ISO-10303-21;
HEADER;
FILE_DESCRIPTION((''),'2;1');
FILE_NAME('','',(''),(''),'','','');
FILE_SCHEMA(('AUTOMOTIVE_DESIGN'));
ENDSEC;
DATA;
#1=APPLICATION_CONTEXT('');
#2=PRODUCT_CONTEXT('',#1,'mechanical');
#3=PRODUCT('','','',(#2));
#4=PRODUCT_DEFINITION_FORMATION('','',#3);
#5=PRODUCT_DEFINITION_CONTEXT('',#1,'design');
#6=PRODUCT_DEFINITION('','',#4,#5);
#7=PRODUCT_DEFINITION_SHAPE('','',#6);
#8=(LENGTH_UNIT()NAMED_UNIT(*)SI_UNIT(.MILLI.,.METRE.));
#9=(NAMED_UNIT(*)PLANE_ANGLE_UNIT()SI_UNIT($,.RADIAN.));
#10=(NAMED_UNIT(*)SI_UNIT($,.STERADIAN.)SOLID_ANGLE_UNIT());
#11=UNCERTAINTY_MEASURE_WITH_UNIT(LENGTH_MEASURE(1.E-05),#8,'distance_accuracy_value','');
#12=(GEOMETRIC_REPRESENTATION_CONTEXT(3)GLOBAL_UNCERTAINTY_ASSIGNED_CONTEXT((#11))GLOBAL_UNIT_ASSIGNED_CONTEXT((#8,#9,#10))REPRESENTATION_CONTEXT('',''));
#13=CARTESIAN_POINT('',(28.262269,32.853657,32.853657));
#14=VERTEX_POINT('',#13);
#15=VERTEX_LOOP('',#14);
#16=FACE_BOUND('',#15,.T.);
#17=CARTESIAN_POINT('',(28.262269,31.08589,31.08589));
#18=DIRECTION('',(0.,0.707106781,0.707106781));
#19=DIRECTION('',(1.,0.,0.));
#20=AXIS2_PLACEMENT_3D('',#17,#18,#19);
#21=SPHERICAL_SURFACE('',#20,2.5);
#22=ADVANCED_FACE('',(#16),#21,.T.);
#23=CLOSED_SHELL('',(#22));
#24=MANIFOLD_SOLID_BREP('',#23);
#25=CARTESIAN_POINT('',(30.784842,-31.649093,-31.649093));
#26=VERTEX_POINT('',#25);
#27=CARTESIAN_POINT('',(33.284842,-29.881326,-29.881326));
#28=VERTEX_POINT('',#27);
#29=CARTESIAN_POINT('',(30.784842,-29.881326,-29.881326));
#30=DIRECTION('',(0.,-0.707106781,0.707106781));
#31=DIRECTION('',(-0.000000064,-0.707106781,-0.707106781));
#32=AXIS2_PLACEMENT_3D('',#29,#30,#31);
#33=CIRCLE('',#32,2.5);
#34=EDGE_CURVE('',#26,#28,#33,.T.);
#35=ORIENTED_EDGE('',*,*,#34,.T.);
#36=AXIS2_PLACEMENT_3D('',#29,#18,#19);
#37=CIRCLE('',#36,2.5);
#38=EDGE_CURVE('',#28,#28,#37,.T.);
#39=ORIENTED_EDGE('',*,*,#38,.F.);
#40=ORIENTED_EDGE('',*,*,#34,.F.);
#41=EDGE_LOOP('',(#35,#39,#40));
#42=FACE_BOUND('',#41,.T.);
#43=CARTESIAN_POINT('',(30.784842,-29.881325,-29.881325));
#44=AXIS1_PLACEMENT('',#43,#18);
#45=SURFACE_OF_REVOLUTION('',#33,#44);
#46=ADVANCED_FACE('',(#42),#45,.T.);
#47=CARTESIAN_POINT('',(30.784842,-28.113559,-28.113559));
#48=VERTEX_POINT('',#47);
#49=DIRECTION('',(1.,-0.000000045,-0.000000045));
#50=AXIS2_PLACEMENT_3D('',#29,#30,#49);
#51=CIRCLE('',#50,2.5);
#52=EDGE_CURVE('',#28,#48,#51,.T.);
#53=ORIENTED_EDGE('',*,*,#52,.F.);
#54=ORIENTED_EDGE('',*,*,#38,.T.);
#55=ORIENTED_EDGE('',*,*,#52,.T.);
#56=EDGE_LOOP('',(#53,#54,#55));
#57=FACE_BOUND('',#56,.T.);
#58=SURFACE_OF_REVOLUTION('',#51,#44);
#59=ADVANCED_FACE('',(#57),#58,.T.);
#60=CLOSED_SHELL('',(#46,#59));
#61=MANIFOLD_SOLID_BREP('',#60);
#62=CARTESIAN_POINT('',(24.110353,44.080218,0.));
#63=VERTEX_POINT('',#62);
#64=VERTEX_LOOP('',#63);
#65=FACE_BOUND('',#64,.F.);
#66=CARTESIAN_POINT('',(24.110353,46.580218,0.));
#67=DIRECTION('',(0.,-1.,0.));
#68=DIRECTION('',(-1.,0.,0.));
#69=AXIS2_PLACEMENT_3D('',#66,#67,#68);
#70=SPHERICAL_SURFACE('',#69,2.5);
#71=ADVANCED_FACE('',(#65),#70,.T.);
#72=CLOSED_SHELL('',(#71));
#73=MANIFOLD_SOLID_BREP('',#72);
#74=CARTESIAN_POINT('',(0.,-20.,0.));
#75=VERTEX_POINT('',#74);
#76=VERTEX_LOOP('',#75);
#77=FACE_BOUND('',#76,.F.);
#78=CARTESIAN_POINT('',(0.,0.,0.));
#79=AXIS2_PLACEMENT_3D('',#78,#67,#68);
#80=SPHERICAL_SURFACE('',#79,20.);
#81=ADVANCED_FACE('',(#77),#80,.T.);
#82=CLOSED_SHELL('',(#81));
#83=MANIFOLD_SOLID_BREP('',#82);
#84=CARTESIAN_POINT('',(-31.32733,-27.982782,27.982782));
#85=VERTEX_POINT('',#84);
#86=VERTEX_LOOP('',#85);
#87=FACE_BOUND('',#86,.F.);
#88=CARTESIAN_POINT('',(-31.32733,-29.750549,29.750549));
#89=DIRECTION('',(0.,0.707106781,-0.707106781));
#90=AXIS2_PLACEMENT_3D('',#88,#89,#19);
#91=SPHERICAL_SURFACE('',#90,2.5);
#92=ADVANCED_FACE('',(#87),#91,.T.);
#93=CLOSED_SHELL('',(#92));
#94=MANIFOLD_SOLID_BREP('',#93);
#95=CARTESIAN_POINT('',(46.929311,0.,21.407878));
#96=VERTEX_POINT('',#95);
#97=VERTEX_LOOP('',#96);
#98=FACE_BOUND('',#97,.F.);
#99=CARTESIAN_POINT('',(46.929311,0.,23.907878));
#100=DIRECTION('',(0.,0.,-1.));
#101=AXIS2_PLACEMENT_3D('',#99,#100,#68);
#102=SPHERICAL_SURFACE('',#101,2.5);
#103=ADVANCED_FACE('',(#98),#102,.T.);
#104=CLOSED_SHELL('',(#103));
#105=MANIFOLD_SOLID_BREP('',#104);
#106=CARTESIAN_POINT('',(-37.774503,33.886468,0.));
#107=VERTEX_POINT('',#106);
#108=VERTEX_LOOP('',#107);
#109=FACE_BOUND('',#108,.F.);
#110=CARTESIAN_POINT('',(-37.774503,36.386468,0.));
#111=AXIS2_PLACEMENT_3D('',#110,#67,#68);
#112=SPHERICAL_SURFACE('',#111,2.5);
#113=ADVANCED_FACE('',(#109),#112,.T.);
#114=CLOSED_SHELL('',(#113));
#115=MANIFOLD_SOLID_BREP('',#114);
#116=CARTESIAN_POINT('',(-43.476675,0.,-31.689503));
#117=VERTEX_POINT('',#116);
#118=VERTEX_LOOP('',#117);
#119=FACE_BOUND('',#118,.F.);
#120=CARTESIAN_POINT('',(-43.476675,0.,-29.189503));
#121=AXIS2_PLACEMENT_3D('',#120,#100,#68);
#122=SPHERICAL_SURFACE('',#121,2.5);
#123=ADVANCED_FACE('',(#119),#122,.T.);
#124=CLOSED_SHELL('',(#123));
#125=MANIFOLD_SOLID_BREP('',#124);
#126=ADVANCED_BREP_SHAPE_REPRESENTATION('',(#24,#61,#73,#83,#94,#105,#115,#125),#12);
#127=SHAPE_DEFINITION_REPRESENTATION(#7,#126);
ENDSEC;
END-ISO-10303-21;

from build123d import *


with BuildPart() as f5:
    # F4 (on Top) → F5 (revolve)
    with BuildSketch(Plane.XY):
        with BuildLine():
            ThreePointArc((0, 20), (-20, 0), (0, -20))
            Line((0, -20), (0, 20))
        make_face()
    revolve(axis=Axis((0, 0, 0), (0, 1, 0)))


with BuildPart() as f7:
    # F6 (on Top) → F7 (revolve)
    with BuildSketch(Plane.XY):
        with BuildLine():
            Line((24.110353, 44.080218), (24.110353, 46.580218))
            Line((24.110353, 46.580218), (24.110353, 49.080218))
            ThreePointArc((24.110353, 49.080218), (21.610353, 46.580218), (24.110353, 44.080218))
        make_face()
    revolve(axis=Axis((24.110353, 46.580218, 0), (0, 1, 0)))


with BuildPart() as f9:
    # F8 (on face) → F9 (revolve)
    with BuildSketch(Plane(origin=(0, 0, 0), x_dir=(-1, 0, 0), z_dir=(0, 0.707107, 0.707107))):
        with BuildLine():
            ThreePointArc((31.32733, 44.57363), (28.82733, 42.07363), (31.32733, 39.57363))
            Line((31.32733, 39.57363), (31.32733, 44.57363))
        make_face()
    revolve(axis=Axis((-31.32733, -29.750549, 29.750549), (0, -0.707107, 0.707107)))


with BuildPart() as f11:
    # F10 (on face) → F11 (revolve)
    with BuildSketch(Plane(origin=(0, 0, 0), x_dir=(1, 0, 0), z_dir=(0, -0.707107, 0.707107))):
        with BuildLine():
            Line((28.262269, 46.462087), (28.262269, 43.962087))
            Line((28.262269, 43.962087), (28.262269, 41.462087))
            ThreePointArc((28.262269, 41.462087), (30.762269, 43.962087), (28.262269, 46.462087))
        make_face()
    revolve(axis=Axis((28.262269, 31.08589, 31.08589), (0, 0.707107, 0.707107)))


with BuildPart() as f13:
    # F12 (on Front) → F13 (revolve)
    with BuildSketch(Plane.XZ):
        with BuildLine():
            ThreePointArc((-43.476675, -26.689503), (-45.976675, -29.189503), (-43.476675, -31.689503))
            Line((-43.476675, -31.689503), (-43.476675, -26.689503))
        make_face()
    revolve(axis=Axis((-43.476675, 0, -29.189503), (0, 0, 1)))


with BuildPart() as f15:
    # F14 (on Top) → F15 (revolve)
    with BuildSketch(Plane.XY):
        with BuildLine():
            ThreePointArc((-37.774503, 38.886468), (-40.274503, 36.386468), (-37.774503, 33.886468))
            Line((-37.774503, 33.886468), (-37.774503, 38.886468))
        make_face()
    revolve(axis=Axis((-37.774503, 36.386468, 0), (0, 1, 0)))


with BuildPart() as f17:
    # F16 (on face) → F17 (revolve)
    with BuildSketch(Plane(origin=(0, 0, 0), x_dir=(1, 0, 0), z_dir=(0, -0.707107, 0.707107))):
        with BuildLine():
            ThreePointArc((30.784842, -44.758576), (32.552609, -44.026343), (33.284842, -42.258576))
            ThreePointArc((33.284842, -42.258576), (32.552609, -40.490809), (30.784842, -39.758576))
            Line((30.784842, -39.758576), (30.784842, -44.758576))
        make_face()
    revolve(axis=Axis((30.784842, -29.881325, -29.881325), (0, 0.707107, 0.707107)))


with BuildPart() as f19:
    # F18 (on Front) → F19 (revolve)
    with BuildSketch(Plane.XZ):
        with BuildLine():
            ThreePointArc((46.929311, 26.407878), (44.429311, 23.907878), (46.929311, 21.407878))
            Line((46.929311, 21.407878), (46.929311, 26.407878))
        make_face()
    revolve(axis=Axis((46.929311, 0, 23.907878), (0, 0, 1)))


solid = Compound([f5.part, f7.part, f9.part, f11.part, f13.part, f15.part, f17.part, f19.part])
